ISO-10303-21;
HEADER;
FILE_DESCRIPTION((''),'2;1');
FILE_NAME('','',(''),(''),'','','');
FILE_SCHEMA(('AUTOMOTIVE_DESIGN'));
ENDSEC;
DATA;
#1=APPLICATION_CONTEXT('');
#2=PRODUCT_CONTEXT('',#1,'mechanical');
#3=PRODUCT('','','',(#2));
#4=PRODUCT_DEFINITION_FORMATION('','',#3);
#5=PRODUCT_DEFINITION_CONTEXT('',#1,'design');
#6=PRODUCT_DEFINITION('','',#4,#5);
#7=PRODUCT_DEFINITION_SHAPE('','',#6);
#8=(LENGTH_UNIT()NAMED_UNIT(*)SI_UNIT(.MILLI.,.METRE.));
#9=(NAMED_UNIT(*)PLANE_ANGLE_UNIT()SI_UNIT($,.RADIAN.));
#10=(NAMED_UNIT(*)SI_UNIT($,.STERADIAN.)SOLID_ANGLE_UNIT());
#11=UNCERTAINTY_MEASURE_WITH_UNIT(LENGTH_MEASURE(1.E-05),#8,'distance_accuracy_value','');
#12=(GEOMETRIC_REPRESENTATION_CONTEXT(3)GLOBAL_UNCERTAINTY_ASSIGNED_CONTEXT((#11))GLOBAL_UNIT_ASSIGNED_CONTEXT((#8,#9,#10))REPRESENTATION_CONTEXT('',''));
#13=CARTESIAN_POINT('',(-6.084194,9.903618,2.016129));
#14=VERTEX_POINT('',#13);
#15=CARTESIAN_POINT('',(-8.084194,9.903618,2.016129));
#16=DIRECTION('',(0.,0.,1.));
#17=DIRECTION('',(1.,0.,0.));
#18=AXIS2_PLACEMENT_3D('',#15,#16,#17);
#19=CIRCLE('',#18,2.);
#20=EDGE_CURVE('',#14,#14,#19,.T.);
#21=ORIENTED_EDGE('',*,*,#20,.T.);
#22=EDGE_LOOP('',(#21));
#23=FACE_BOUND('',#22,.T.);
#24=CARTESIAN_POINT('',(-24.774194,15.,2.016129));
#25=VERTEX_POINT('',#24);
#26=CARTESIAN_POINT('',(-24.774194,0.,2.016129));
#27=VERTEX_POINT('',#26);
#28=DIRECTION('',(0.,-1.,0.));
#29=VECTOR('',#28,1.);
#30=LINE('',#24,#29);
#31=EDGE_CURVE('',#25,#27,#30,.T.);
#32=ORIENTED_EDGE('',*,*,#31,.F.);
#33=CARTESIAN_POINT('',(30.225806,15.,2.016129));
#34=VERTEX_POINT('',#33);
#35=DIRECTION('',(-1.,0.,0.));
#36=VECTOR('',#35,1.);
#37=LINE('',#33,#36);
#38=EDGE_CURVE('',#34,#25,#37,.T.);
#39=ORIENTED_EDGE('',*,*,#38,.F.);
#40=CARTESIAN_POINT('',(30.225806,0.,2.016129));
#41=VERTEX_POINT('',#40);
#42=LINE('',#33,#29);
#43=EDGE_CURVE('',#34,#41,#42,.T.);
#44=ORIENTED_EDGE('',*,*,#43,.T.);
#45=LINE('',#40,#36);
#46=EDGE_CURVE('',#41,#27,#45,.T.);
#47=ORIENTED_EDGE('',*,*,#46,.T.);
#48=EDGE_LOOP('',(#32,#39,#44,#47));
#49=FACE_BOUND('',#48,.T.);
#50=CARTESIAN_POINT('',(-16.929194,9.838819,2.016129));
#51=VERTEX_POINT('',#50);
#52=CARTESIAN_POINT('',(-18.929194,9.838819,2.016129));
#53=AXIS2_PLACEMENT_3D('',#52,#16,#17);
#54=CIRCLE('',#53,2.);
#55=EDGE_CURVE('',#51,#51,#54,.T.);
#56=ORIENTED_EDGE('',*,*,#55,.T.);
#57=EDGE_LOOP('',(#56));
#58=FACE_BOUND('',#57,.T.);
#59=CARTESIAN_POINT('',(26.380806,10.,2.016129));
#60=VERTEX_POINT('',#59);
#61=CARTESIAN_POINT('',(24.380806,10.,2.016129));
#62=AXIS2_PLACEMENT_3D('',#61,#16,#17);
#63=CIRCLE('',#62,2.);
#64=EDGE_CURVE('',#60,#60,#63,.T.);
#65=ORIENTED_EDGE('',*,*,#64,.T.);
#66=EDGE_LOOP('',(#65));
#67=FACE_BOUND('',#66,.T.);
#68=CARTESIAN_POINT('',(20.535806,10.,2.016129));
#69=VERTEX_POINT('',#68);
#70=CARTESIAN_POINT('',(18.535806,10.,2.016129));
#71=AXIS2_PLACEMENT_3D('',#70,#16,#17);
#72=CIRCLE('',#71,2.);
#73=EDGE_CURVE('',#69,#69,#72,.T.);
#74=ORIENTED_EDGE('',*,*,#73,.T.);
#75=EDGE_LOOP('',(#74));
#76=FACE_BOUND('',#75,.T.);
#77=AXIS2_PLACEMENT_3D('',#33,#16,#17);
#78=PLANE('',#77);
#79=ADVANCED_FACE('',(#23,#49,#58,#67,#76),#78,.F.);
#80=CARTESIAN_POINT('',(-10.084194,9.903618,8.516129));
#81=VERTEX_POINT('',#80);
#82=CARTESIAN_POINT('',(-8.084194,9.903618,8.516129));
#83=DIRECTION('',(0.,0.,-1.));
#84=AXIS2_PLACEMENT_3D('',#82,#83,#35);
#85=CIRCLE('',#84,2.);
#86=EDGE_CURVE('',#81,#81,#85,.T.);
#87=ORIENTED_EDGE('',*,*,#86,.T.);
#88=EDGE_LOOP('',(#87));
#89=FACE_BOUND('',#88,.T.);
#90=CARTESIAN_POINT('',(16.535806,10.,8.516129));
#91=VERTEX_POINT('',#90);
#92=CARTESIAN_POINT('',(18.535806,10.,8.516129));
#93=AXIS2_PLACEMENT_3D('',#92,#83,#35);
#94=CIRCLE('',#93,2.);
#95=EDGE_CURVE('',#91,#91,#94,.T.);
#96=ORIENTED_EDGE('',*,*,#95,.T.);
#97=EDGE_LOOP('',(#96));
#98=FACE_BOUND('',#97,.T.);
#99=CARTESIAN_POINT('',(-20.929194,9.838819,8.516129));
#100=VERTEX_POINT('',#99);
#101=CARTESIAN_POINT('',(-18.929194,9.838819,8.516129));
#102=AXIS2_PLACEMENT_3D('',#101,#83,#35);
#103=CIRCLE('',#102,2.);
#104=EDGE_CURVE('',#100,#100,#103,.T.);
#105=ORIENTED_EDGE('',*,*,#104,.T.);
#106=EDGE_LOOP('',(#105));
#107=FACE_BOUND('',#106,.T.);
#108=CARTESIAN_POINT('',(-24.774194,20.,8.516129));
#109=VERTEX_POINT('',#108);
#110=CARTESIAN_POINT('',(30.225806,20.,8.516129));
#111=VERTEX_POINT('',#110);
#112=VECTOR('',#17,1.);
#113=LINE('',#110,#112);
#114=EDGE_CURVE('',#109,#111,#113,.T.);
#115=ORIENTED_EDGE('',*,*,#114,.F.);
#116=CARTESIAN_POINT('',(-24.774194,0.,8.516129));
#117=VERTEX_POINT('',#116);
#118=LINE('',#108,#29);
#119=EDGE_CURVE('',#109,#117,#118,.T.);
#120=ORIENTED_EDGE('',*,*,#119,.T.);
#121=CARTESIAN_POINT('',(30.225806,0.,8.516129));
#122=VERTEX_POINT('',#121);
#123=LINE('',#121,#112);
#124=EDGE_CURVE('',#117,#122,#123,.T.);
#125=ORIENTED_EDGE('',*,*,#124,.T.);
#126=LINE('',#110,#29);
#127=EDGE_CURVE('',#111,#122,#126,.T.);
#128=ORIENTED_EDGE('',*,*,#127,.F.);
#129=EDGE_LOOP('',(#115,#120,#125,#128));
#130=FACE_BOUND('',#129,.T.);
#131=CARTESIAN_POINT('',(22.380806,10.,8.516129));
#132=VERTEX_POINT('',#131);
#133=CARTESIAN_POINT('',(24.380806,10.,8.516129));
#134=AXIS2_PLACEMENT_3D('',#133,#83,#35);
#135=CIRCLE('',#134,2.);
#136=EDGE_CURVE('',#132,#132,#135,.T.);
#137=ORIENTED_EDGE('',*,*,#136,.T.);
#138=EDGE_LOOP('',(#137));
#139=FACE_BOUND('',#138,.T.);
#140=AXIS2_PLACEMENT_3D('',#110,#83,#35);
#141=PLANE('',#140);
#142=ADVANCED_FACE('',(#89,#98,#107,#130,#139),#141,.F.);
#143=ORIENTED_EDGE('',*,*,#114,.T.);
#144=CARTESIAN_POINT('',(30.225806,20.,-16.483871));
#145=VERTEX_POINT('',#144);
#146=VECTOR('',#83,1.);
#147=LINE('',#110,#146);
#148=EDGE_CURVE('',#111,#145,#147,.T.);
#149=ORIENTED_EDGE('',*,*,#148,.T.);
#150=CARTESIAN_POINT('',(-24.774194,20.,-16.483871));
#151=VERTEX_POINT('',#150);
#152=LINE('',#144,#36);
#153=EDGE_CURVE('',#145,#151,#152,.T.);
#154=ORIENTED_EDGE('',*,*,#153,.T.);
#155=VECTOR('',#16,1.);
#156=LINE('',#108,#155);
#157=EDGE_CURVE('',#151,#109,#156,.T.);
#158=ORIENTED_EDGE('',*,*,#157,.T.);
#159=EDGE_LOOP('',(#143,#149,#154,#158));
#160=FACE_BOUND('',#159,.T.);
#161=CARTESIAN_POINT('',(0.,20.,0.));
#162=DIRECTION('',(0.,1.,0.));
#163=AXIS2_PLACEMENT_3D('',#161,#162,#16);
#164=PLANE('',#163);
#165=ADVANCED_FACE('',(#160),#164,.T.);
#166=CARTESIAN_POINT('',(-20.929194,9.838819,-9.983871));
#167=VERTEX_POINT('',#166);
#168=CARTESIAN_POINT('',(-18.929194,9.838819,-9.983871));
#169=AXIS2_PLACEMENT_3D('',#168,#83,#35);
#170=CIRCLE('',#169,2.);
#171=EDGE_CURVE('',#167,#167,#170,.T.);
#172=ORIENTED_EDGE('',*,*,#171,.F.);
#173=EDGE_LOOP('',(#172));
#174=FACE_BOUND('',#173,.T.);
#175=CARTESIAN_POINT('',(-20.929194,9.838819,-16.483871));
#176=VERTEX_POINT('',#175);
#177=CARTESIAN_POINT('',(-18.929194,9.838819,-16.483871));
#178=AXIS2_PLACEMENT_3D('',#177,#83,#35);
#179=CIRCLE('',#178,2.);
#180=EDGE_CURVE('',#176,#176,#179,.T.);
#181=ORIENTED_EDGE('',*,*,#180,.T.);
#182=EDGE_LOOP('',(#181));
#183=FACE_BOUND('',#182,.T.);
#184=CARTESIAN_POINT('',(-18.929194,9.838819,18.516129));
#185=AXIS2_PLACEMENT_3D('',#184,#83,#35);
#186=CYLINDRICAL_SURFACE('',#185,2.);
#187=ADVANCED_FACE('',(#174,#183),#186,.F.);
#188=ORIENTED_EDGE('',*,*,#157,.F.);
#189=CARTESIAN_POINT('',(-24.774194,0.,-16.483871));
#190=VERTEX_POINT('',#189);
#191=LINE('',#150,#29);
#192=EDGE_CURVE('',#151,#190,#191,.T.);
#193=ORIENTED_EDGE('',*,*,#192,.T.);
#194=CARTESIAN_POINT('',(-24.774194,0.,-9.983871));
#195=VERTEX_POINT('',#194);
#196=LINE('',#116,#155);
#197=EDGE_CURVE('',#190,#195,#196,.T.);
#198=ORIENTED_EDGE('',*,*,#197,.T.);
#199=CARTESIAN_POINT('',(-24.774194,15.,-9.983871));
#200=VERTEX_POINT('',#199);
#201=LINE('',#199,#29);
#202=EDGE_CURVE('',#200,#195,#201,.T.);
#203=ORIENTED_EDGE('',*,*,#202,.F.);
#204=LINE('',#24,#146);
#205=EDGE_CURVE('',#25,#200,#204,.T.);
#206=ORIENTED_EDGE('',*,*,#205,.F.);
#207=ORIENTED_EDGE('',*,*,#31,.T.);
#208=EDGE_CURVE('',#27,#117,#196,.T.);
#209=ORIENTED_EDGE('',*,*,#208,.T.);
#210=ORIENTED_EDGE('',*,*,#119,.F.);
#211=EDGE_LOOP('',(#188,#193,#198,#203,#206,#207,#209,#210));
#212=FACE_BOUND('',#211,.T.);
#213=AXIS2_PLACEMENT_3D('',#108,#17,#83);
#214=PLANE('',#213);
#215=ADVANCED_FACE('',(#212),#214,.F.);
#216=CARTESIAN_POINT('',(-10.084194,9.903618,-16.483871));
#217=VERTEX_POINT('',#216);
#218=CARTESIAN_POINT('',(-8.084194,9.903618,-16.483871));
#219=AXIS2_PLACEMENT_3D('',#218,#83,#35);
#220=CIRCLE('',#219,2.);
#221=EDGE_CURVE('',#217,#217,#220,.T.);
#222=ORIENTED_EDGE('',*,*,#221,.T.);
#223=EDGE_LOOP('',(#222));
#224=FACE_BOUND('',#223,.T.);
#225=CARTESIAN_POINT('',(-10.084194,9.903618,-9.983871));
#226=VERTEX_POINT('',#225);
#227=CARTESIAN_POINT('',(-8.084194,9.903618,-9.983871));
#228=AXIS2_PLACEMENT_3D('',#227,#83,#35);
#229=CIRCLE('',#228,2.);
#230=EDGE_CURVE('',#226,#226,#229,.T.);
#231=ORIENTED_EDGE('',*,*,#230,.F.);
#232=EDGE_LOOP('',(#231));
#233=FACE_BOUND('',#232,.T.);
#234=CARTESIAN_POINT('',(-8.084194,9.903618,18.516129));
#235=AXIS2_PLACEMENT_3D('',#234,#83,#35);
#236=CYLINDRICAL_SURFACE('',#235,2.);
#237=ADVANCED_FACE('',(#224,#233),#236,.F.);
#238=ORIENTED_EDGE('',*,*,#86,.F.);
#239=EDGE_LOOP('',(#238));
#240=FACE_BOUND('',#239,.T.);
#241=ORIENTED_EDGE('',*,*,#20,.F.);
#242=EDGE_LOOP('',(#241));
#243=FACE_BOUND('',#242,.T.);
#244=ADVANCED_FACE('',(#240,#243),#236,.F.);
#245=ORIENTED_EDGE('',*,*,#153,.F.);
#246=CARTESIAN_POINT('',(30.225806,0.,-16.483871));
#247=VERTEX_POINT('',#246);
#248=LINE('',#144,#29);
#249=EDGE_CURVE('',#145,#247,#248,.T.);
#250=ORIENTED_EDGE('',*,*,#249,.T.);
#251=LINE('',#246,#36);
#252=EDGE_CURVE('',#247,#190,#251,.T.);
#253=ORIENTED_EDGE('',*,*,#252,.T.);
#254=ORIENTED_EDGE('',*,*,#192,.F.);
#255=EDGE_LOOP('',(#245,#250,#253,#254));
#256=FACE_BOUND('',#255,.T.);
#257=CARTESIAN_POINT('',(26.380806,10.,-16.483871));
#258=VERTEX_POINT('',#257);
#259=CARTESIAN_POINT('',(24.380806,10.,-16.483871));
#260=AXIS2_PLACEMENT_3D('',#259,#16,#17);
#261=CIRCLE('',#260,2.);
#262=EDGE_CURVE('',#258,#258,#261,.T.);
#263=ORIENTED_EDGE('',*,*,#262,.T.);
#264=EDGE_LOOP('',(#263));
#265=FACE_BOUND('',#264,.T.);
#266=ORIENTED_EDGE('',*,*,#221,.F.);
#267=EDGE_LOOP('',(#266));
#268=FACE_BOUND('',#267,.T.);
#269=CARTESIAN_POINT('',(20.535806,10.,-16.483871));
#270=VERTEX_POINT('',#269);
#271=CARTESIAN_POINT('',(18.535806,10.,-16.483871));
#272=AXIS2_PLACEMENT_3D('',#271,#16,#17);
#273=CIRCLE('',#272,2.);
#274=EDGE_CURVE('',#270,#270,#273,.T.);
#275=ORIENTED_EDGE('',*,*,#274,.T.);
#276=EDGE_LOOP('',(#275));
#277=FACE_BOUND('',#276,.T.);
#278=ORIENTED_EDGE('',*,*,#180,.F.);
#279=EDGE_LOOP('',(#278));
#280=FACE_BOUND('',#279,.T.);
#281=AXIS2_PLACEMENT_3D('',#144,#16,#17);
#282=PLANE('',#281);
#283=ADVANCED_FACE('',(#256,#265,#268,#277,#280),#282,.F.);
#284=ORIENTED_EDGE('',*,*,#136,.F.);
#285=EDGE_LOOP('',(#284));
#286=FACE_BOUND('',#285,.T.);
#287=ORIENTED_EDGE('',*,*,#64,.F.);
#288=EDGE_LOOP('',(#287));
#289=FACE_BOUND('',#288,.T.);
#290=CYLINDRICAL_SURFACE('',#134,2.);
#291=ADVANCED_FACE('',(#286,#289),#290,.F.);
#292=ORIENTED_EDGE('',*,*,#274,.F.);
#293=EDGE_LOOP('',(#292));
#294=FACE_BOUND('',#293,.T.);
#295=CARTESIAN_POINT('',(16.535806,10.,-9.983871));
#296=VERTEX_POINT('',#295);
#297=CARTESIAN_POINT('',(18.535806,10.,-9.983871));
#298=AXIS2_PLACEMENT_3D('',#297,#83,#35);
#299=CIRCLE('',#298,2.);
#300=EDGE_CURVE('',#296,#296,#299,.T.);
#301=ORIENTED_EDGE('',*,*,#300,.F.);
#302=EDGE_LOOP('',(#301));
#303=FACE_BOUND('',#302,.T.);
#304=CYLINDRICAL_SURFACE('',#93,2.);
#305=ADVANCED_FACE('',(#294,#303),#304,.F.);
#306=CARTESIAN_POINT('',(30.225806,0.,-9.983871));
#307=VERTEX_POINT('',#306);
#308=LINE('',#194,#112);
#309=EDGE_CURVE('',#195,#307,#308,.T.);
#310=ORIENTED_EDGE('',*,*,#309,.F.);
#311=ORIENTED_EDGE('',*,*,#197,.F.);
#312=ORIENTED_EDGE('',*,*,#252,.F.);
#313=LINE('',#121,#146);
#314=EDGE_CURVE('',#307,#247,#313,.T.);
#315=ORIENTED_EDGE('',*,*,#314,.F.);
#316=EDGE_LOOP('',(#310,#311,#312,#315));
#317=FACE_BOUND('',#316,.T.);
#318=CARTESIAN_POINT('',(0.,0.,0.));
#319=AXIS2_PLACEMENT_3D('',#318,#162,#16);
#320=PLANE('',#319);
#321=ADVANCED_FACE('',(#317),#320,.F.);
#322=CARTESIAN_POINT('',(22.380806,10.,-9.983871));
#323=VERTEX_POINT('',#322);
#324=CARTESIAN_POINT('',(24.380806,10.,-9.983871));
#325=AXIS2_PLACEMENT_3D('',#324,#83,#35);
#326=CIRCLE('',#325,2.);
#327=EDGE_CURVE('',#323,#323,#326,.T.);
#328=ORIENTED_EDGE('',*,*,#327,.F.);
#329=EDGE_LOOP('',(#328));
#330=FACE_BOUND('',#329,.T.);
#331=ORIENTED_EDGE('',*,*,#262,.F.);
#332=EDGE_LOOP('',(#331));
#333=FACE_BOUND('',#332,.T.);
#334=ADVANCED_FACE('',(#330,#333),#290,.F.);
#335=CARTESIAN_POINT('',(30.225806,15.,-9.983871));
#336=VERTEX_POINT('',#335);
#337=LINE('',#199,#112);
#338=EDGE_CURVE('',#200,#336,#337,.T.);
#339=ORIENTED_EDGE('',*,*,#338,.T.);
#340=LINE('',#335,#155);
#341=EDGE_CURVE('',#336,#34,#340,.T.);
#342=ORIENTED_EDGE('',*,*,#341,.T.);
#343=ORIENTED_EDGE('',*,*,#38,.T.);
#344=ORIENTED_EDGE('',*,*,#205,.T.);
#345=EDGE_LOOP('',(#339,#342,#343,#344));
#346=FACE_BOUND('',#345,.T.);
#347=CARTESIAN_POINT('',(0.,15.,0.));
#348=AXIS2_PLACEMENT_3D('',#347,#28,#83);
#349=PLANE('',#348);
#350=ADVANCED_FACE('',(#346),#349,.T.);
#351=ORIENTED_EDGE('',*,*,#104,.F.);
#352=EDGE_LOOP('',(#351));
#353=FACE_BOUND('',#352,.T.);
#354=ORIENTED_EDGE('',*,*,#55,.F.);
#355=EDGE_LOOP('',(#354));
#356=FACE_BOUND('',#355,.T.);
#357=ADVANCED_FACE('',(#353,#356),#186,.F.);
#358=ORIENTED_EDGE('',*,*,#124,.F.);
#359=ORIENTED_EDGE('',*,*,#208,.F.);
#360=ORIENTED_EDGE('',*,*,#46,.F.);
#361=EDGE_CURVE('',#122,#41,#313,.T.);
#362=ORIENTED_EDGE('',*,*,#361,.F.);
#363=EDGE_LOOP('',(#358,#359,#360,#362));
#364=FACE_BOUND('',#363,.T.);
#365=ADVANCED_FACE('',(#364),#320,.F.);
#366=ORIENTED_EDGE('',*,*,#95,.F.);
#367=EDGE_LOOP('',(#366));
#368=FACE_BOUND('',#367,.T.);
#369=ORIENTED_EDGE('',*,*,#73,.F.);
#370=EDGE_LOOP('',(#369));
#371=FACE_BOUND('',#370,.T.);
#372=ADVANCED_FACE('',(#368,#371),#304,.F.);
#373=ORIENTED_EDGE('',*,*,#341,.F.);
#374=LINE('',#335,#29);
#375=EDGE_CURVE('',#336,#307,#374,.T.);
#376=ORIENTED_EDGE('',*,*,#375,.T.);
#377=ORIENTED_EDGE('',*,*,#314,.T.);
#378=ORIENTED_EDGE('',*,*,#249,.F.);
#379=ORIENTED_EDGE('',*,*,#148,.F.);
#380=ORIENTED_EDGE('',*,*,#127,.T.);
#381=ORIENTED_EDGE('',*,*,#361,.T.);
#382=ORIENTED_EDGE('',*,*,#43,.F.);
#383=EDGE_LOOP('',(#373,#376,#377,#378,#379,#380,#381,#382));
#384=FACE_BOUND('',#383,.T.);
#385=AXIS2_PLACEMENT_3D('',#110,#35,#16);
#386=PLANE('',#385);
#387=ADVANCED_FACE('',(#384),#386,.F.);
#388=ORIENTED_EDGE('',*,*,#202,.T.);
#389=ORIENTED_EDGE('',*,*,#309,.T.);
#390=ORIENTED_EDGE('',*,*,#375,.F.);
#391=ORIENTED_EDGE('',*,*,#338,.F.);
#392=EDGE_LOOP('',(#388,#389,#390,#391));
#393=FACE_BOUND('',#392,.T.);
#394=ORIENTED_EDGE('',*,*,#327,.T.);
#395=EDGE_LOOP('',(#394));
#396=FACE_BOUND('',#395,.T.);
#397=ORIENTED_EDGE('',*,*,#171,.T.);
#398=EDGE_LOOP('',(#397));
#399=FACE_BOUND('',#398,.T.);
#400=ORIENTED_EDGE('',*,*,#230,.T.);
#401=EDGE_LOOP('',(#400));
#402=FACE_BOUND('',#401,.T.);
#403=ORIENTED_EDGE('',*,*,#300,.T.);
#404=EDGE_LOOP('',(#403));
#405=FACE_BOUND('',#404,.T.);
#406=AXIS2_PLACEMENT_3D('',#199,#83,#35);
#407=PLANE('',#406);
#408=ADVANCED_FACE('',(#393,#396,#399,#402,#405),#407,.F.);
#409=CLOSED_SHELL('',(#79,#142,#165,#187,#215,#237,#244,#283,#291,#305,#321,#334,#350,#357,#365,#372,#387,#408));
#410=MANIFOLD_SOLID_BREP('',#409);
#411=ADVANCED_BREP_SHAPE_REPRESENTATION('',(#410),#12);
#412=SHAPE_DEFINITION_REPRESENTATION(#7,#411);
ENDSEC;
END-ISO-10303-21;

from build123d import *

# Parameters (mm, degrees)
CROQUIS4_W                 = 55
CROQUIS4_H                 = 25
SALIENTE_EXTRUIR3_DEPTH    = 20
CROQUIS5_W                 = 55
CROQUIS5_H                 = 12
CORTAR_EXTRUIR1_DEPTH      = 15
CROQUIS7_R                 = 2
CORTAR_EXTRUIR3_DEPTH      = 1
CORTAR_EXTRUIR3_DEPTH_BACK = 26
CROQUIS14_R                = 2
CORTAR_EXTRUIR6_DEPTH      = 35


with BuildPart() as part:
    # Croquis4 → Saliente-Extruir3 (new body)
    with BuildSketch(Plane(origin=(0, 0, 0), x_dir=(1, 0, 0), z_dir=(0, 1, 0))):
        with Locations((2.725806452, 3.983870968)):
            Rectangle(CROQUIS4_W, CROQUIS4_H)
    extrude(amount=SALIENTE_EXTRUIR3_DEPTH)

    # Croquis5 → Cortar-Extruir1 (cut)
    with BuildSketch(Plane(origin=(0, 0, 0), x_dir=(-1, 0, 0), z_dir=(0, -1, 0))):
        with Locations((-2.725806452, 3.983870968)):
            Rectangle(CROQUIS5_W, CROQUIS5_H)
    extrude(amount=-CORTAR_EXTRUIR1_DEPTH, mode=Mode.SUBTRACT)

    # Croquis7 → Cortar-Extruir3 (cut, two sides)
    with BuildSketch(Plane(origin=(0, 0, -16.483870968), x_dir=(-1, 0, 0), z_dir=(0, 0, -1))) as cortar_extruir3_sk:
        with Locations((-24.380806452, 10)):
            Circle(CROQUIS7_R)
        with Locations((-18.535806452, 10)):
            Circle(CROQUIS7_R)
    extrude(amount=CORTAR_EXTRUIR3_DEPTH, mode=Mode.SUBTRACT)
    extrude(cortar_extruir3_sk.sketch, amount=-CORTAR_EXTRUIR3_DEPTH_BACK, mode=Mode.SUBTRACT)

    # Croquis14 → Cortar-Extruir6 (cut)
    with BuildSketch(Plane(origin=(0, 0, -16.483870968), x_dir=(-1, 0, 0), z_dir=(0, 0, -1))):
        with Locations((8.084193548, 9.903617559)):
            Circle(CROQUIS14_R)
        with Locations((18.929193548, 9.838818962)):
            Circle(CROQUIS14_R)
    extrude(amount=-CORTAR_EXTRUIR6_DEPTH, mode=Mode.SUBTRACT)


solid = part.part
